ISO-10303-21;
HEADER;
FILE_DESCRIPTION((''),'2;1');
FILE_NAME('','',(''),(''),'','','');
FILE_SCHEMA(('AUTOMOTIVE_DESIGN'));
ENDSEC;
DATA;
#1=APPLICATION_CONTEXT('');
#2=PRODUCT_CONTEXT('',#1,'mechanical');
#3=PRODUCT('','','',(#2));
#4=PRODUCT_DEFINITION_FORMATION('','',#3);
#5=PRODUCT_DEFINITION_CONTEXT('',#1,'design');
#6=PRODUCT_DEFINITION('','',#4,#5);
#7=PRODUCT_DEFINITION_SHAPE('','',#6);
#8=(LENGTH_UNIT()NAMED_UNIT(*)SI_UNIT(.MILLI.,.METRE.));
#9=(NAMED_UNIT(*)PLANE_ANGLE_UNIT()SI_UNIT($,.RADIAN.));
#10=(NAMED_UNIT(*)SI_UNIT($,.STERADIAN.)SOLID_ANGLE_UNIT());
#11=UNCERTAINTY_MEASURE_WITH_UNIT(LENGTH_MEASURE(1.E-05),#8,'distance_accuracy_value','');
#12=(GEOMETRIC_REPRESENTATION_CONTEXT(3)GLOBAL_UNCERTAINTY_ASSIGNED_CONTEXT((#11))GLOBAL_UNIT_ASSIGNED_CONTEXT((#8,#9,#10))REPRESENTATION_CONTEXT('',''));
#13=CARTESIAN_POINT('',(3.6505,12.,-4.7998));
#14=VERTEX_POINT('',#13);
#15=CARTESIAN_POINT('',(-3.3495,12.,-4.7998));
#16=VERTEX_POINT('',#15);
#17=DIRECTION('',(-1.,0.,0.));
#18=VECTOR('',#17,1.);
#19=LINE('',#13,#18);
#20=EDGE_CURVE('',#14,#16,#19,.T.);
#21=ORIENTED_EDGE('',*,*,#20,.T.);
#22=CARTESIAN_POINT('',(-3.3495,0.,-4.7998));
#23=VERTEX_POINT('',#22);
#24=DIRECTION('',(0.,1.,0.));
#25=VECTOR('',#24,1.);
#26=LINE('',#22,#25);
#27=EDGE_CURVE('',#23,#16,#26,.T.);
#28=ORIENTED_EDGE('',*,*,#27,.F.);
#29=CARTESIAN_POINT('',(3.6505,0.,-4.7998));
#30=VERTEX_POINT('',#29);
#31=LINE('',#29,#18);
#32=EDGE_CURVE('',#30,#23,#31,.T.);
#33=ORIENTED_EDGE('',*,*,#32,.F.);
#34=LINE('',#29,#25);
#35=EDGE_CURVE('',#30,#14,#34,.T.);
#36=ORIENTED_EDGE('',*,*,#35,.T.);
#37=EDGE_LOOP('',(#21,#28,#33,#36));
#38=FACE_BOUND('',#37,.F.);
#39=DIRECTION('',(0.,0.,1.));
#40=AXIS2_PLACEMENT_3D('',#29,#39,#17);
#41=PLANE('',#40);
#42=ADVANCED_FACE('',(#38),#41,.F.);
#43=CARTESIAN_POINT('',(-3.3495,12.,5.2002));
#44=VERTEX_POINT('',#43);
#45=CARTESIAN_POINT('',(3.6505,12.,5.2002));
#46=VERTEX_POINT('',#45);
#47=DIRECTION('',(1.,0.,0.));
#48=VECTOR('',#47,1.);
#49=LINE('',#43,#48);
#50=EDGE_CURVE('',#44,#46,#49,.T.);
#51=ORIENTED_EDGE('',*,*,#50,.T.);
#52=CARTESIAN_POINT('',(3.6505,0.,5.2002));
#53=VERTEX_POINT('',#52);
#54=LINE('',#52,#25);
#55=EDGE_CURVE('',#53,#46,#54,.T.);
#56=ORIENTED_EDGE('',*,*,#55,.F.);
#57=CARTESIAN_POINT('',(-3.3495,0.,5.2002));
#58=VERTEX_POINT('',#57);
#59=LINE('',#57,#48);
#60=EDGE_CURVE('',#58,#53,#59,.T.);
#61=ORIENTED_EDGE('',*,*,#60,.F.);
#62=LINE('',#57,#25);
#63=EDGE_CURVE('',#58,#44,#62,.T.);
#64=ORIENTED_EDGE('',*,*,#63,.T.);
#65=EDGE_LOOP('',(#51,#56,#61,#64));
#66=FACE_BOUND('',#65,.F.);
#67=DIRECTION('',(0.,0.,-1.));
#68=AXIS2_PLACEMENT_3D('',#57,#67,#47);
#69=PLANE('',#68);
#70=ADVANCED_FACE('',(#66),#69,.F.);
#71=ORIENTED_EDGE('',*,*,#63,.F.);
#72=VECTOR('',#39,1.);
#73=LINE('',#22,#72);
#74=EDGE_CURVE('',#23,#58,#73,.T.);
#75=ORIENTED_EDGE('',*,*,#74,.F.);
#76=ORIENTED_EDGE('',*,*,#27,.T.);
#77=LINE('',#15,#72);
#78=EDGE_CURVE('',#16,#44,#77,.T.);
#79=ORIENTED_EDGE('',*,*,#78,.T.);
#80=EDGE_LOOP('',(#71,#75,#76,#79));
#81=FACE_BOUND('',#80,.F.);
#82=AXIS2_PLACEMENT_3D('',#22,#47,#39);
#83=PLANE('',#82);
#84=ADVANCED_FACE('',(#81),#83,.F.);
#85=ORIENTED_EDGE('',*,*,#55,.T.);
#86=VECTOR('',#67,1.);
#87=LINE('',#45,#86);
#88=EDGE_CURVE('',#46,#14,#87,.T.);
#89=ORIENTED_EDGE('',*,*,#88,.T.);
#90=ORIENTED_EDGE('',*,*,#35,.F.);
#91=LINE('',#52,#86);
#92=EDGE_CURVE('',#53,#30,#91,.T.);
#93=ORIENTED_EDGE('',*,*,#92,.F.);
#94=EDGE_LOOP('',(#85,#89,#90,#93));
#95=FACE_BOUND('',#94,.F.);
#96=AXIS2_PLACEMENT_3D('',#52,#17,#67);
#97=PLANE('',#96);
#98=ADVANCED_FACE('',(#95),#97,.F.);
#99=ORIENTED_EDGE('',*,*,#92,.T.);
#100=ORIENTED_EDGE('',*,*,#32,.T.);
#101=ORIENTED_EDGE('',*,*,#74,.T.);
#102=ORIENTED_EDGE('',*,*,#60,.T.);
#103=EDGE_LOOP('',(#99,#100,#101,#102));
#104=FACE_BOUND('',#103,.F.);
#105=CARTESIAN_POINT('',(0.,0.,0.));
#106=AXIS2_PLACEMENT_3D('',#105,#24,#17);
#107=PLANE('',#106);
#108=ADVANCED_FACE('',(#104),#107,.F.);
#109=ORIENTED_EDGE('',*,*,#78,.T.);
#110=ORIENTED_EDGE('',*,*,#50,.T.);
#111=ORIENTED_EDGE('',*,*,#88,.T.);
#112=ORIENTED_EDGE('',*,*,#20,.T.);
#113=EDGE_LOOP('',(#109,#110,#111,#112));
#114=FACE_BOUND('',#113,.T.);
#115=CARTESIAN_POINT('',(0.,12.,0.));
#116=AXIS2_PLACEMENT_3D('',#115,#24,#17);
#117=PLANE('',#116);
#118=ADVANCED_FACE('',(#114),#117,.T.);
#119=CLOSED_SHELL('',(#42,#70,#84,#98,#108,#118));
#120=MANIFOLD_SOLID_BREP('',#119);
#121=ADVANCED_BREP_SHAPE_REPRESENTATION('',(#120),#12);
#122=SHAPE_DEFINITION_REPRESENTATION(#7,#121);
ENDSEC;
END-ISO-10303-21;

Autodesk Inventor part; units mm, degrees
ref_plane "YZ Plane" through (0, 0, 0) normal (1, 0, 0) x (0, 1, 0)
ref_plane "XZ Plane" through (0, 0, 0) normal (0, 1, 0) x (-1, 0, 0)
ref_plane "XY Plane" through (0, 0, 0) normal (0, 0, 1) x (1, 0, 0)
sketch "Skizze1" plane through (0, 0, 0) normal (0, 1, 0) x (-1, 0, 0)
  line L0 (3.3495, 5.2002) -> (-3.6505, 5.2002)
  line L1 (-3.6505, 5.2002) -> (-3.6505, -4.7998)
  line L2 (-3.6505, -4.7998) -> (3.3495, -4.7998)
  line L3 (3.3495, -4.7998) -> (3.3495, 5.2002)
  point P0 (0, 0)
  dimension "d0" = 7
  dimension "d1" = 10
extrude "Extrusion1" add sketch "Skizze1" along normal blind 12
properties part number "Wellennut_Verbindung_Deck_Antrieb"
